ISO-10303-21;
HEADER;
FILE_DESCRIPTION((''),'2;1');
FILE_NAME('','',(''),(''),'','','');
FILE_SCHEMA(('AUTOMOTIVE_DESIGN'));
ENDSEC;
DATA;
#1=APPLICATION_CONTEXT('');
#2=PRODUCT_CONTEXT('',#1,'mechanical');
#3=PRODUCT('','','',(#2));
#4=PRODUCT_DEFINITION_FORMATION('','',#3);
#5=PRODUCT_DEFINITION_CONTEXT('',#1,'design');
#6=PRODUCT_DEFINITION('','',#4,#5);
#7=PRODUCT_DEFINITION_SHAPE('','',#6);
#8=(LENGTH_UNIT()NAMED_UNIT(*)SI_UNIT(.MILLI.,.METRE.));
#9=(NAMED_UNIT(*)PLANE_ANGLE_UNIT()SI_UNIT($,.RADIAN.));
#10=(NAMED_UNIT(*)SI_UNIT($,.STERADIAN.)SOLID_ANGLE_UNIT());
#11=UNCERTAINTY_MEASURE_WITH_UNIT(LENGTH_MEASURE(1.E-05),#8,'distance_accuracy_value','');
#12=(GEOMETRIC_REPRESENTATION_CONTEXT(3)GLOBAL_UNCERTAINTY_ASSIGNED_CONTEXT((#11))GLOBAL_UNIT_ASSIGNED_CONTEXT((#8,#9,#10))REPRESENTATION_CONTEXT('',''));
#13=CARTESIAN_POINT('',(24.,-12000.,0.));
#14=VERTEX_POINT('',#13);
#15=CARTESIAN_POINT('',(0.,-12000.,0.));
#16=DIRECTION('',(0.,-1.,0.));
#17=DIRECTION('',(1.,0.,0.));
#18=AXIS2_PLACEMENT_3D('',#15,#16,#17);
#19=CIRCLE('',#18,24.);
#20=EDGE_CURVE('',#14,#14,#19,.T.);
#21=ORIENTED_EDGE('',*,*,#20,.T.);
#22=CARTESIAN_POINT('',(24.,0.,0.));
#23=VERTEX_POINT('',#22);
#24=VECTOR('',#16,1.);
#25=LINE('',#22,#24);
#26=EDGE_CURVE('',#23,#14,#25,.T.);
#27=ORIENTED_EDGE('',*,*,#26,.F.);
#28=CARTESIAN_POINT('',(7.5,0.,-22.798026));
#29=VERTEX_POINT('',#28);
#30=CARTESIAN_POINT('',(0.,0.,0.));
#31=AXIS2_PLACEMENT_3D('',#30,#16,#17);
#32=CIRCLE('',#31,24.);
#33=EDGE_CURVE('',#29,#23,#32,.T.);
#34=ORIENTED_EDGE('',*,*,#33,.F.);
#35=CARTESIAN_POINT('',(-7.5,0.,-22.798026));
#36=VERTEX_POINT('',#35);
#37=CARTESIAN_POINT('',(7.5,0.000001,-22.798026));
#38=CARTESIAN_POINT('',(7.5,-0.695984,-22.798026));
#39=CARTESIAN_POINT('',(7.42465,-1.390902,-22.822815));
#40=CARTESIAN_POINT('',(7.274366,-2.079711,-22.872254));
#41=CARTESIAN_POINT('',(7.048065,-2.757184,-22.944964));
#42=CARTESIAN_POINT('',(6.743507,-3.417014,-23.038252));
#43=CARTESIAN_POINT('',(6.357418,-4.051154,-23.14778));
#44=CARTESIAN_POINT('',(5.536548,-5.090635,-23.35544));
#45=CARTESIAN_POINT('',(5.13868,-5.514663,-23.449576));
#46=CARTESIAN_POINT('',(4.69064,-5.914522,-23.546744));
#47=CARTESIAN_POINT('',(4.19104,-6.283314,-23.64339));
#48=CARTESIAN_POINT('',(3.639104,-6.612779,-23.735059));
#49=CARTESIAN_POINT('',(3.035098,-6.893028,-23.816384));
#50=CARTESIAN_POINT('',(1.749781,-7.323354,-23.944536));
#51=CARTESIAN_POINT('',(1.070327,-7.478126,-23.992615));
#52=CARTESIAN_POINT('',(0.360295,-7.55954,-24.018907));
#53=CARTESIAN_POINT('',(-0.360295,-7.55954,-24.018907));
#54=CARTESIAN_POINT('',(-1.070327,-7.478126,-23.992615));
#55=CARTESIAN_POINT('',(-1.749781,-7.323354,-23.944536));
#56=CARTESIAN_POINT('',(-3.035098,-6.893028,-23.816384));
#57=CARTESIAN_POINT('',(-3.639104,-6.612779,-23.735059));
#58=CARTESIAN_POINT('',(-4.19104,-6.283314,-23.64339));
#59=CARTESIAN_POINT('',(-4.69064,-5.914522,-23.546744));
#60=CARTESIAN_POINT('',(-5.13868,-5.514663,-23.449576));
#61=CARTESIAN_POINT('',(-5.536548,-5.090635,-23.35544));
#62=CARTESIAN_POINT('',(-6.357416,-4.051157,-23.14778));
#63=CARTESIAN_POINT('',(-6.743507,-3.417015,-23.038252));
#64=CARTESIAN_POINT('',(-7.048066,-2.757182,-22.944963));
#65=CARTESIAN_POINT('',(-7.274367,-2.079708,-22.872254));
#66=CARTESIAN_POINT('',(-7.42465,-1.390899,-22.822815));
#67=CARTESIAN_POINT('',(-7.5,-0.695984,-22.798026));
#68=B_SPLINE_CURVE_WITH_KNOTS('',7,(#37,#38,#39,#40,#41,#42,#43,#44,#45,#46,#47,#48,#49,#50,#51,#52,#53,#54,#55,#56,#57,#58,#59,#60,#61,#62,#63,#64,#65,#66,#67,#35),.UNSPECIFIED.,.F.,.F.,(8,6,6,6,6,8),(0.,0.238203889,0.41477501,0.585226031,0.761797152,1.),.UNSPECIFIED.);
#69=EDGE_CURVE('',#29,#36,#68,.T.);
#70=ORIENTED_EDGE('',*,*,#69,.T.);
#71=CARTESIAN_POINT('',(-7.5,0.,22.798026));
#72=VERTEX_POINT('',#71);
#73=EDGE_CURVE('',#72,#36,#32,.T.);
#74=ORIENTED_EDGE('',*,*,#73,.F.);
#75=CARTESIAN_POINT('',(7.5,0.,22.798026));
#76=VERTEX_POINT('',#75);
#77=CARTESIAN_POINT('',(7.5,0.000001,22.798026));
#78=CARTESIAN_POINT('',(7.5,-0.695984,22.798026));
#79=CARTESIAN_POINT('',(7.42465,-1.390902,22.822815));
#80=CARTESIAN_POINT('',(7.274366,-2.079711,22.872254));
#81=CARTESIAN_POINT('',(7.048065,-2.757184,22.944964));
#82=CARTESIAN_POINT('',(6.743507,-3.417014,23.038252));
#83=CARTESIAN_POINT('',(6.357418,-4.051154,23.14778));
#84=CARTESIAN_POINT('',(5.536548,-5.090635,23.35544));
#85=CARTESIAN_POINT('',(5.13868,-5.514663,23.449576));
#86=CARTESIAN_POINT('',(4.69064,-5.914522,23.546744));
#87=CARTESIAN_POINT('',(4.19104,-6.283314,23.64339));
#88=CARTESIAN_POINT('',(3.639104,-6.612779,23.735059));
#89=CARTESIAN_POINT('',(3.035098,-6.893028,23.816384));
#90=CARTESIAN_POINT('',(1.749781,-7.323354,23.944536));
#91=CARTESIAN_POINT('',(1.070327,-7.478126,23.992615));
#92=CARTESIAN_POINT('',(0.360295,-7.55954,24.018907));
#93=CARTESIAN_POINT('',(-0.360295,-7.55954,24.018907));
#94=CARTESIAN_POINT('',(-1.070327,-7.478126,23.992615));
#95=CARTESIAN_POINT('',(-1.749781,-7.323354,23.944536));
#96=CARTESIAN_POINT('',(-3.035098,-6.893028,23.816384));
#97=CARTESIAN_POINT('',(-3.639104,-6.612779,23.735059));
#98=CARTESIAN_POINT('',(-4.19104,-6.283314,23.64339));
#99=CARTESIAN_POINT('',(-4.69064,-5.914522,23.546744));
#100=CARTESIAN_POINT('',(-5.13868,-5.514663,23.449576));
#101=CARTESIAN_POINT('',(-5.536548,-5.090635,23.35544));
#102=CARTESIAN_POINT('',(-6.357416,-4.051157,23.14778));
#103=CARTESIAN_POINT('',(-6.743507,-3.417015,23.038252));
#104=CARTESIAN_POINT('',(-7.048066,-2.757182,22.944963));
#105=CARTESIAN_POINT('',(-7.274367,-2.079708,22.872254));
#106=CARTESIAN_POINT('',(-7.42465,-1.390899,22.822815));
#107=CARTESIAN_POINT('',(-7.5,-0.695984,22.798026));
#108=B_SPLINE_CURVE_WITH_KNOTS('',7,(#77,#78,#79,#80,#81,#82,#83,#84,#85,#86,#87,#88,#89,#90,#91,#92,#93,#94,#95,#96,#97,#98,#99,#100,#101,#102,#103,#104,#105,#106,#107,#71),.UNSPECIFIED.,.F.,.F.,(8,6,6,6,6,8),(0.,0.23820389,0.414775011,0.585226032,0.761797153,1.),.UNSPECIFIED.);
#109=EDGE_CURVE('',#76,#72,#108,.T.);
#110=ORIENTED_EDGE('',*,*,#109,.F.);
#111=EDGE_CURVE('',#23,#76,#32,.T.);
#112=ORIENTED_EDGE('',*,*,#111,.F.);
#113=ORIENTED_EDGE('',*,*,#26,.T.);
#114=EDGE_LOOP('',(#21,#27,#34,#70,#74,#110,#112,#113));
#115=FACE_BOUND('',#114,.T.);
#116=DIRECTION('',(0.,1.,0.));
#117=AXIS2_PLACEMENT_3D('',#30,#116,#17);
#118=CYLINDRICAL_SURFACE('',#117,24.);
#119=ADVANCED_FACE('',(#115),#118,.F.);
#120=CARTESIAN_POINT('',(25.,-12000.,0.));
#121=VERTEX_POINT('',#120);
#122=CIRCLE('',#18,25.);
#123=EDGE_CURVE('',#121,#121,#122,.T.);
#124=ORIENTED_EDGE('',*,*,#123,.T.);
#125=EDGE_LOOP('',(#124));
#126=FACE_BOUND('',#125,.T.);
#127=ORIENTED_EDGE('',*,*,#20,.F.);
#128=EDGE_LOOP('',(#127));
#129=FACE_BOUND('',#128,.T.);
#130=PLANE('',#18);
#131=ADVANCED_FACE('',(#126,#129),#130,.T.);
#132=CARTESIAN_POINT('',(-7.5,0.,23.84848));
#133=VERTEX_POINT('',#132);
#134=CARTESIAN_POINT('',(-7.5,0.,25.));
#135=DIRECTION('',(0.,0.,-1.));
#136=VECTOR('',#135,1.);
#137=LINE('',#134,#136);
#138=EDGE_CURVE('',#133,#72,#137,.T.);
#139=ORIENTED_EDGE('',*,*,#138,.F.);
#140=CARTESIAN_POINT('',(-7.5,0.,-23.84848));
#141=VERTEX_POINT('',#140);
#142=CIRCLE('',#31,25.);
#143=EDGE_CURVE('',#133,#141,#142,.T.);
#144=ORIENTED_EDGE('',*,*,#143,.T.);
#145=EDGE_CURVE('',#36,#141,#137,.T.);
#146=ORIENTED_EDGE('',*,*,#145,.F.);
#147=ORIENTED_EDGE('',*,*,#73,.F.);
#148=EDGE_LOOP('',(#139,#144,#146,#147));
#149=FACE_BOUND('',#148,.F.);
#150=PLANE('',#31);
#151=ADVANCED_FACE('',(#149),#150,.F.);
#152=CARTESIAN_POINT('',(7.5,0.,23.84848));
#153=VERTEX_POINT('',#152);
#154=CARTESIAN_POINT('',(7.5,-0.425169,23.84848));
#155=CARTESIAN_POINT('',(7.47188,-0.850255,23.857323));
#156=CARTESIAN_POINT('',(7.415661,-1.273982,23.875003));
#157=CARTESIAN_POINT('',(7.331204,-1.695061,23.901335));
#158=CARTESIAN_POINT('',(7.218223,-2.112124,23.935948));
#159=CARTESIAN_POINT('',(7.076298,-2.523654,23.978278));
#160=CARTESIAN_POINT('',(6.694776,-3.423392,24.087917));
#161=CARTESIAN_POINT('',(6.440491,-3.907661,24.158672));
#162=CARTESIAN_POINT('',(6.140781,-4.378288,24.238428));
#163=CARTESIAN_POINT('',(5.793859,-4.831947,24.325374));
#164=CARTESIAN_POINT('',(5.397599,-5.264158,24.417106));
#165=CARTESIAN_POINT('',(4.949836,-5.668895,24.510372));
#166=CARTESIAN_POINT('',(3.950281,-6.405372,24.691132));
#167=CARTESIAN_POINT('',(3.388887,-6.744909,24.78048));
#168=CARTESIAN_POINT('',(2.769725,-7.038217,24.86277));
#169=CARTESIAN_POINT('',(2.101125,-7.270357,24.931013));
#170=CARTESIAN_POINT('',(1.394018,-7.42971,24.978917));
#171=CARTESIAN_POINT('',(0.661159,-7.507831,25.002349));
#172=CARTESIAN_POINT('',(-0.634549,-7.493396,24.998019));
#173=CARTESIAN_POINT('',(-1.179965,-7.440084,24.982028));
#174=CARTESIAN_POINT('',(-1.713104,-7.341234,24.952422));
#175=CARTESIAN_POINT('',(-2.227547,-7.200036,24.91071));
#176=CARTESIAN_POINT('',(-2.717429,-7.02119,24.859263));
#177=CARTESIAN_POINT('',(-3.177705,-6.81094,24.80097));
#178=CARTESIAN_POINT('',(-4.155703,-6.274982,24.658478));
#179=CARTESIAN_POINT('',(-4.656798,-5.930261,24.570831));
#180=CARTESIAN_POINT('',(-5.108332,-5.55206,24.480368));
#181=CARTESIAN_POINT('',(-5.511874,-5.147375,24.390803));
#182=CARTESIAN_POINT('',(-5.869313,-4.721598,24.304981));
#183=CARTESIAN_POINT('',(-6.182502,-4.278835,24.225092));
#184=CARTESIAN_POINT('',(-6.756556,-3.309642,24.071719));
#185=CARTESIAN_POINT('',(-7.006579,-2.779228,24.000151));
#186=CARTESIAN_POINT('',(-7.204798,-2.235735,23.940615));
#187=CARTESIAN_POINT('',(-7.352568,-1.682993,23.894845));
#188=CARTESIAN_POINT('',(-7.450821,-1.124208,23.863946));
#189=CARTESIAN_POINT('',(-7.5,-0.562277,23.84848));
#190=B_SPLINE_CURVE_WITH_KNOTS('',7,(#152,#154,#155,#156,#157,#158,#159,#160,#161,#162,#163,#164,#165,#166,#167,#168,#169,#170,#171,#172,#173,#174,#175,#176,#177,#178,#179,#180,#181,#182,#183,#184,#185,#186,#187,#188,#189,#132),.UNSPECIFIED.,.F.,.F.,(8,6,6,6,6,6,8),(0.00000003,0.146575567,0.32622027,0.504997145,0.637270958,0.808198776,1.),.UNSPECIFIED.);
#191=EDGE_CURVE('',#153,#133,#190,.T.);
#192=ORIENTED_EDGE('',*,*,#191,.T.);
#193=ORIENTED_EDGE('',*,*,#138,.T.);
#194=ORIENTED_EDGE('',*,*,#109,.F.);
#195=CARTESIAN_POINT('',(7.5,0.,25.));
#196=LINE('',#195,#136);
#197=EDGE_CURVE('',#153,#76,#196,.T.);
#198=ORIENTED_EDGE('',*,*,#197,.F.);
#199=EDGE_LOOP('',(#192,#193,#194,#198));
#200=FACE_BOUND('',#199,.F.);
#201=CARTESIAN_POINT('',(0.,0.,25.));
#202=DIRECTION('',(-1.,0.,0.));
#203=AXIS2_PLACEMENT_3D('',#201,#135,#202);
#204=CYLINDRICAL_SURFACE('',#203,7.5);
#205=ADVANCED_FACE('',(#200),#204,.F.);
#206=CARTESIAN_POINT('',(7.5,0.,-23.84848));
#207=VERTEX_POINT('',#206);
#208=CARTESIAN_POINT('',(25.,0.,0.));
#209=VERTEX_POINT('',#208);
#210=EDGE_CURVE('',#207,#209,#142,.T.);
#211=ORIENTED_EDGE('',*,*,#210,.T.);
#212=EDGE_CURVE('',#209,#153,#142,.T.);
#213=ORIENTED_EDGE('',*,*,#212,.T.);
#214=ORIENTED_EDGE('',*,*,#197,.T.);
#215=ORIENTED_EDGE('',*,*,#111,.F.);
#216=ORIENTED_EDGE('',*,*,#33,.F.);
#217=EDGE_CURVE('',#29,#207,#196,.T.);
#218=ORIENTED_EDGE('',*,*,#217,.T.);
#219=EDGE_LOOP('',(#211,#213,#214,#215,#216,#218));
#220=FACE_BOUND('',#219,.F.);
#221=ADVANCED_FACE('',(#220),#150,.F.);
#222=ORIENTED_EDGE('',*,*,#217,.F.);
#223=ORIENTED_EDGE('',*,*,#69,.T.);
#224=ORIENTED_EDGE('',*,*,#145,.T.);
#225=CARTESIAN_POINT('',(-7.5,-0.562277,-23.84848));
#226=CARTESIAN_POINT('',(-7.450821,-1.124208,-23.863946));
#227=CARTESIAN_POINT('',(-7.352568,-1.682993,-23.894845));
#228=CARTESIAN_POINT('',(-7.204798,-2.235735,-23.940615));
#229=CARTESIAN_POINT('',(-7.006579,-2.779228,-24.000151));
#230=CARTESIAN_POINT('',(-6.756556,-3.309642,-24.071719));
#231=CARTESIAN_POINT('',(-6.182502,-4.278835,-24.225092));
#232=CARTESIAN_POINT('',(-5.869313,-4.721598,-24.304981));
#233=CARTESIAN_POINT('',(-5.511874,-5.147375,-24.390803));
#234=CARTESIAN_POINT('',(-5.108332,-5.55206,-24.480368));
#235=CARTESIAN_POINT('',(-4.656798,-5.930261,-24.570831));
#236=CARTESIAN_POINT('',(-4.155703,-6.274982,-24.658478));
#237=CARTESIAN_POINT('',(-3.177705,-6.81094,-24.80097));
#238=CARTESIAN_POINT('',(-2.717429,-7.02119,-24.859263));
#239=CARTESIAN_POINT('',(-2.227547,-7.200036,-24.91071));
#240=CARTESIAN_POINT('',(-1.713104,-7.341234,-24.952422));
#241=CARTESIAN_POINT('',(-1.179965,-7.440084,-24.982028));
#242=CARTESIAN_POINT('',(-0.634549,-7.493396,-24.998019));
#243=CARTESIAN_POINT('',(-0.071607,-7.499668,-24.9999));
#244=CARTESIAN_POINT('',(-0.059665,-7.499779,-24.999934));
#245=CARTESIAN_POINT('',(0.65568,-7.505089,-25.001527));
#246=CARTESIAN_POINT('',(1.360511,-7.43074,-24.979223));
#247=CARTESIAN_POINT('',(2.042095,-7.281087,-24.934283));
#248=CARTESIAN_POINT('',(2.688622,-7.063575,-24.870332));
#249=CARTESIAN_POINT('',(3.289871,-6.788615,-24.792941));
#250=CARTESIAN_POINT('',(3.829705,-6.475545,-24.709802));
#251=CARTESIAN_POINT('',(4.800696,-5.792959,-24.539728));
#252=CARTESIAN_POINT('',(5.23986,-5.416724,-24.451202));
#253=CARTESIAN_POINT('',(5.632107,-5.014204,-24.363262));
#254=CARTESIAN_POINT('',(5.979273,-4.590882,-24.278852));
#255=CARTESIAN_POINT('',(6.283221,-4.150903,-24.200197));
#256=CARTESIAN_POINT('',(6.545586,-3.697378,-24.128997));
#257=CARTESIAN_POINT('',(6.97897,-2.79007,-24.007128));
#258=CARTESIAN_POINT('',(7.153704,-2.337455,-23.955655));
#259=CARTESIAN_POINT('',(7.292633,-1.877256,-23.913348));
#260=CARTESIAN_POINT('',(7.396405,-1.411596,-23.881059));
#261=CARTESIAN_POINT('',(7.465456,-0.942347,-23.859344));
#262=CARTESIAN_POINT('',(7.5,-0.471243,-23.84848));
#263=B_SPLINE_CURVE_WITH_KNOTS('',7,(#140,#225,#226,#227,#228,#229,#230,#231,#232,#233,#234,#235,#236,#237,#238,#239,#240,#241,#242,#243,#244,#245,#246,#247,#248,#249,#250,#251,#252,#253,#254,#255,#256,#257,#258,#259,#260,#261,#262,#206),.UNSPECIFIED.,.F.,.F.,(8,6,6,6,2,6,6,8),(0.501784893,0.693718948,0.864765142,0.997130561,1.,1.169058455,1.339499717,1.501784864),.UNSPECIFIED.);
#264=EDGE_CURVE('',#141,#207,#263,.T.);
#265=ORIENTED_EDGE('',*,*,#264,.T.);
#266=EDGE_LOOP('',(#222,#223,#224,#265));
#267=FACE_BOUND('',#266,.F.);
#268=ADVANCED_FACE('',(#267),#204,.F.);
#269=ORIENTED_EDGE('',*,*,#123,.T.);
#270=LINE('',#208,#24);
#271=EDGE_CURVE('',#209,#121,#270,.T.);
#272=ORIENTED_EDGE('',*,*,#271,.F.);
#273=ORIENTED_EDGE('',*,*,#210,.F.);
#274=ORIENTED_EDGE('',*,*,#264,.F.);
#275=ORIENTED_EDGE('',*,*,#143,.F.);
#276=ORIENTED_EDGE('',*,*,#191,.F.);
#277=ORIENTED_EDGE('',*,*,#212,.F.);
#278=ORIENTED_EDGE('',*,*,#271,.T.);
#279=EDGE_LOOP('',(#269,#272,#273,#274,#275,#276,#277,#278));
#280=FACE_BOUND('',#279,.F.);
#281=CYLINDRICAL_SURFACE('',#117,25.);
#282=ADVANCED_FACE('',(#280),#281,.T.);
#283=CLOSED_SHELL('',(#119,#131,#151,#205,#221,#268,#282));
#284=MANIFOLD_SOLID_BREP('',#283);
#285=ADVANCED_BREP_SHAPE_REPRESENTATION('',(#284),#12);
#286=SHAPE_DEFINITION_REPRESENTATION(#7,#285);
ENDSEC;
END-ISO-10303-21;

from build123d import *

# Parameters (mm, degrees)
F0_R     = 25
F0_R_2   = 24
F1_DEPTH = 12000
F3_D     = 15
F3_DEPTH = 25
F4_D     = 15
F4_DEPTH = 25


with BuildPart() as f1:
    # F0 (on Front) → F1 (new body)
    with BuildSketch(Plane.XZ):
        Circle(F0_R)
        Circle(F0_R_2, mode=Mode.SUBTRACT)
    extrude(amount=F1_DEPTH)

    # F3
    with Locations(Plane.XY):
        with Locations((0, 0)):
            Hole(F3_D / 2, depth=F3_DEPTH)

    # F4
    with Locations(Plane(origin=(0, 0, 0), x_dir=(1, 0, 0), z_dir=(0, 0, -1))):
        with Locations((0, 0)):
            Hole(F4_D / 2, depth=F4_DEPTH)


solid = f1.part
